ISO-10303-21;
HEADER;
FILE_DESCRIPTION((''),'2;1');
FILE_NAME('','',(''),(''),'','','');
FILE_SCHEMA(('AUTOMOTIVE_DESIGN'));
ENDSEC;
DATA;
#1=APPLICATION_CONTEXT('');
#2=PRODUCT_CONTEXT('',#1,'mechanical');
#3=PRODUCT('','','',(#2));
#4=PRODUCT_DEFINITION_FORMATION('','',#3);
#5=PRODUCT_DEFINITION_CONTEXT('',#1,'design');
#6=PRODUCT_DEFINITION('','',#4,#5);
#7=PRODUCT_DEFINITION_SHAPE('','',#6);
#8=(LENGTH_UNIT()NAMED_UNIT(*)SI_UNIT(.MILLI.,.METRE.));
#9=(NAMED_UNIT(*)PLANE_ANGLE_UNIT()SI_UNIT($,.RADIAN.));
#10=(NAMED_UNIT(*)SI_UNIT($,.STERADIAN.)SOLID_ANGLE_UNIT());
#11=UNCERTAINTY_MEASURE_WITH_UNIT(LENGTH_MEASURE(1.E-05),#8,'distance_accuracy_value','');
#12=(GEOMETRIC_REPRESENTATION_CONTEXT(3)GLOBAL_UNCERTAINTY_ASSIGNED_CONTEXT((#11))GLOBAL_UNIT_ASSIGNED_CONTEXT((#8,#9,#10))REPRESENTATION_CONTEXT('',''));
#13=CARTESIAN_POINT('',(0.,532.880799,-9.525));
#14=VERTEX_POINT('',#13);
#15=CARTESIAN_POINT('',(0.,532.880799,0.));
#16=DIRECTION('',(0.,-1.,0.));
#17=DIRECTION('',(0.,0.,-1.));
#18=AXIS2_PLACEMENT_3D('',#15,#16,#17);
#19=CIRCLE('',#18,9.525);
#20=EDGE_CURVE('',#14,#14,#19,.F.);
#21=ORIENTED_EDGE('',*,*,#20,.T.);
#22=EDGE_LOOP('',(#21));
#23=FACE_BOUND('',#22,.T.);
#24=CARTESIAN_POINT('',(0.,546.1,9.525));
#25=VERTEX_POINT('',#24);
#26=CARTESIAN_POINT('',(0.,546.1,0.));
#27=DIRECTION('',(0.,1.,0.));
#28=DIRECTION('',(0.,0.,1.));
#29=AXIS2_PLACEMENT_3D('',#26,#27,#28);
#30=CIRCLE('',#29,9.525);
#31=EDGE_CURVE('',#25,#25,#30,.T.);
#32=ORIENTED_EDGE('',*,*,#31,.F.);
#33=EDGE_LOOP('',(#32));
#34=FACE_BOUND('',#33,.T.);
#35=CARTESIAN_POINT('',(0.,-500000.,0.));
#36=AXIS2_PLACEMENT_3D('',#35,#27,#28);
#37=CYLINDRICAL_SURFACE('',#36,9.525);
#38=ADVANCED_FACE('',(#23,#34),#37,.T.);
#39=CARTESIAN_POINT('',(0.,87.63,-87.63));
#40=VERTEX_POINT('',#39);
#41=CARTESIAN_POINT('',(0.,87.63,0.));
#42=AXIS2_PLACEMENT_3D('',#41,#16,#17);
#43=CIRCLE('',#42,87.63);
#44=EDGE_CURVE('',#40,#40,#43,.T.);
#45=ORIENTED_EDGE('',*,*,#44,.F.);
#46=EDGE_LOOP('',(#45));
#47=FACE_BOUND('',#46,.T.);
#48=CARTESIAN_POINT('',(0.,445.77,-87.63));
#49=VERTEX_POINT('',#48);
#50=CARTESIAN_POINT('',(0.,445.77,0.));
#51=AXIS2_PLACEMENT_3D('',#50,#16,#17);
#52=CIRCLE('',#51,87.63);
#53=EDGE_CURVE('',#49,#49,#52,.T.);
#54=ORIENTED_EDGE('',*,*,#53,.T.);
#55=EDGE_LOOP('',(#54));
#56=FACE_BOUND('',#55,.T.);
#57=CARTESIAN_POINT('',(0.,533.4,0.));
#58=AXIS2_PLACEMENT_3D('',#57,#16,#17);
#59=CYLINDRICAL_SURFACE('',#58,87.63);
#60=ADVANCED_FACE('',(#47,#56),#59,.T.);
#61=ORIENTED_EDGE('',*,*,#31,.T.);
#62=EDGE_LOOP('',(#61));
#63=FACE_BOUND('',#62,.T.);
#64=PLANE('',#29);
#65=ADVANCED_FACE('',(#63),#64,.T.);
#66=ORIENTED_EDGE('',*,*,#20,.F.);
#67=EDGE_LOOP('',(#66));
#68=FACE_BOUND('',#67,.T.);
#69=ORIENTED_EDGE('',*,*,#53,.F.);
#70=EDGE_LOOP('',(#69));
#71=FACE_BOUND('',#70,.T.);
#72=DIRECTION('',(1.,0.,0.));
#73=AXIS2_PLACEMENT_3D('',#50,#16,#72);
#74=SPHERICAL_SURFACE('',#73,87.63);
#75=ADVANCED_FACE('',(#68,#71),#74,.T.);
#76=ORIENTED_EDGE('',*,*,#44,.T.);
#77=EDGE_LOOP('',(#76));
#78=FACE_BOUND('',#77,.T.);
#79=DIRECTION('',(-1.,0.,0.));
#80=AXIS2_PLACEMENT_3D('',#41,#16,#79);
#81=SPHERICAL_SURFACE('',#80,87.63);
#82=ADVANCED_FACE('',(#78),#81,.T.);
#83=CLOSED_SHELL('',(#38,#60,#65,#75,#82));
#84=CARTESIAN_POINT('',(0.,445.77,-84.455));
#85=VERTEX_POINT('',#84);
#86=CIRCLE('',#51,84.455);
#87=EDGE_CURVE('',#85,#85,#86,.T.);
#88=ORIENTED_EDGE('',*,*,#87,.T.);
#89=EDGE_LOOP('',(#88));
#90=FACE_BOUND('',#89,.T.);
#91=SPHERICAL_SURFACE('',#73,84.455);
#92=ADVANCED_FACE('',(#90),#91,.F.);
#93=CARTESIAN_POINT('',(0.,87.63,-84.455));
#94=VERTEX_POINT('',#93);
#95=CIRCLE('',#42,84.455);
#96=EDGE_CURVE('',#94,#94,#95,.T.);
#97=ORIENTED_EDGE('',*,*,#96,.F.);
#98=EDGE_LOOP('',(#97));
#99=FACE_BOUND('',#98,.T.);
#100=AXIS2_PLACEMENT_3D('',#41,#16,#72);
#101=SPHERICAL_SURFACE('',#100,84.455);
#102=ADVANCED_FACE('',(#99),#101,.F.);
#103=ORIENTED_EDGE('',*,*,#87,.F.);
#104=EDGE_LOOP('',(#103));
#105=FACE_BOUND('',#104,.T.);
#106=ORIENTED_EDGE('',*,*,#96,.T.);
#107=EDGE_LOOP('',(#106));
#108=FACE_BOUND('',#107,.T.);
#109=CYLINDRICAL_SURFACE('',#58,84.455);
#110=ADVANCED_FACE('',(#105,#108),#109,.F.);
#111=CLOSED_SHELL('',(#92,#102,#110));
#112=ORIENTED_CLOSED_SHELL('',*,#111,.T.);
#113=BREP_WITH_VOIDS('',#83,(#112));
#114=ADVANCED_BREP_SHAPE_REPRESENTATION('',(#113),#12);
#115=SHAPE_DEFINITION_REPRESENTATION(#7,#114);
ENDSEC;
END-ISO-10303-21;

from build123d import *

# Parameters (mm, degrees)
SKETCH2_R                       = 9.525
BOSS_EXTRUDE1_DEPTH             = 12.7
BOSS_EXTRUDE1_DIRECTION_2_REACH = 535.4


with BuildPart() as part:
    # Sketch1 → Revolve1 (revolve)
    with BuildSketch(Plane.XY):
        with BuildLine():
            Line((87.63, 445.77), (87.63, 87.63))
            ThreePointArc((87.63, 87.63), (61.963767, 25.666233), (0, 0))
            Line((0, 0), (0, 3.175))
            ThreePointArc((0, 3.175), (59.718703, 27.911297), (84.455, 87.63))
            Line((84.455, 87.63), (84.455, 445.77))
            ThreePointArc((84.455, 445.77), (59.718703, 505.488703), (0, 530.225))
            Line((0, 530.225), (0, 533.4))
            ThreePointArc((0, 533.4), (61.963767, 507.733767), (87.63, 445.77))
        make_face()
    revolve(axis=Axis((0, 533.4, 0), (0, 1, 0)))

    # Sketch2 → Boss-Extrude1 (add)
    with BuildSketch(Plane(origin=(0, 533.4, 0), x_dir=(1, 0, 0), z_dir=(0, 1, 0))):
        Circle(SKETCH2_R)
    extrude(amount=BOSS_EXTRUDE1_DEPTH)

    # Sketch2 → Boss-Extrude1 direction 2 (add, up to next)
    with BuildSketch(Plane(origin=(0, 533.4, 0), x_dir=(1, 0, 0), z_dir=(0, 1, 0)), mode=Mode.PRIVATE) as boss_extrude1_direction_2_sk1:
        Circle(SKETCH2_R)
    boss_extrude1_direction_2_tool1 = extrude(boss_extrude1_direction_2_sk1.sketch, amount=-BOSS_EXTRUDE1_DIRECTION_2_REACH, mode=Mode.PRIVATE) - part.part
    add(boss_extrude1_direction_2_tool1.solids().sort_by_distance((0, 533.4, 0))[0])


solid = part.part
